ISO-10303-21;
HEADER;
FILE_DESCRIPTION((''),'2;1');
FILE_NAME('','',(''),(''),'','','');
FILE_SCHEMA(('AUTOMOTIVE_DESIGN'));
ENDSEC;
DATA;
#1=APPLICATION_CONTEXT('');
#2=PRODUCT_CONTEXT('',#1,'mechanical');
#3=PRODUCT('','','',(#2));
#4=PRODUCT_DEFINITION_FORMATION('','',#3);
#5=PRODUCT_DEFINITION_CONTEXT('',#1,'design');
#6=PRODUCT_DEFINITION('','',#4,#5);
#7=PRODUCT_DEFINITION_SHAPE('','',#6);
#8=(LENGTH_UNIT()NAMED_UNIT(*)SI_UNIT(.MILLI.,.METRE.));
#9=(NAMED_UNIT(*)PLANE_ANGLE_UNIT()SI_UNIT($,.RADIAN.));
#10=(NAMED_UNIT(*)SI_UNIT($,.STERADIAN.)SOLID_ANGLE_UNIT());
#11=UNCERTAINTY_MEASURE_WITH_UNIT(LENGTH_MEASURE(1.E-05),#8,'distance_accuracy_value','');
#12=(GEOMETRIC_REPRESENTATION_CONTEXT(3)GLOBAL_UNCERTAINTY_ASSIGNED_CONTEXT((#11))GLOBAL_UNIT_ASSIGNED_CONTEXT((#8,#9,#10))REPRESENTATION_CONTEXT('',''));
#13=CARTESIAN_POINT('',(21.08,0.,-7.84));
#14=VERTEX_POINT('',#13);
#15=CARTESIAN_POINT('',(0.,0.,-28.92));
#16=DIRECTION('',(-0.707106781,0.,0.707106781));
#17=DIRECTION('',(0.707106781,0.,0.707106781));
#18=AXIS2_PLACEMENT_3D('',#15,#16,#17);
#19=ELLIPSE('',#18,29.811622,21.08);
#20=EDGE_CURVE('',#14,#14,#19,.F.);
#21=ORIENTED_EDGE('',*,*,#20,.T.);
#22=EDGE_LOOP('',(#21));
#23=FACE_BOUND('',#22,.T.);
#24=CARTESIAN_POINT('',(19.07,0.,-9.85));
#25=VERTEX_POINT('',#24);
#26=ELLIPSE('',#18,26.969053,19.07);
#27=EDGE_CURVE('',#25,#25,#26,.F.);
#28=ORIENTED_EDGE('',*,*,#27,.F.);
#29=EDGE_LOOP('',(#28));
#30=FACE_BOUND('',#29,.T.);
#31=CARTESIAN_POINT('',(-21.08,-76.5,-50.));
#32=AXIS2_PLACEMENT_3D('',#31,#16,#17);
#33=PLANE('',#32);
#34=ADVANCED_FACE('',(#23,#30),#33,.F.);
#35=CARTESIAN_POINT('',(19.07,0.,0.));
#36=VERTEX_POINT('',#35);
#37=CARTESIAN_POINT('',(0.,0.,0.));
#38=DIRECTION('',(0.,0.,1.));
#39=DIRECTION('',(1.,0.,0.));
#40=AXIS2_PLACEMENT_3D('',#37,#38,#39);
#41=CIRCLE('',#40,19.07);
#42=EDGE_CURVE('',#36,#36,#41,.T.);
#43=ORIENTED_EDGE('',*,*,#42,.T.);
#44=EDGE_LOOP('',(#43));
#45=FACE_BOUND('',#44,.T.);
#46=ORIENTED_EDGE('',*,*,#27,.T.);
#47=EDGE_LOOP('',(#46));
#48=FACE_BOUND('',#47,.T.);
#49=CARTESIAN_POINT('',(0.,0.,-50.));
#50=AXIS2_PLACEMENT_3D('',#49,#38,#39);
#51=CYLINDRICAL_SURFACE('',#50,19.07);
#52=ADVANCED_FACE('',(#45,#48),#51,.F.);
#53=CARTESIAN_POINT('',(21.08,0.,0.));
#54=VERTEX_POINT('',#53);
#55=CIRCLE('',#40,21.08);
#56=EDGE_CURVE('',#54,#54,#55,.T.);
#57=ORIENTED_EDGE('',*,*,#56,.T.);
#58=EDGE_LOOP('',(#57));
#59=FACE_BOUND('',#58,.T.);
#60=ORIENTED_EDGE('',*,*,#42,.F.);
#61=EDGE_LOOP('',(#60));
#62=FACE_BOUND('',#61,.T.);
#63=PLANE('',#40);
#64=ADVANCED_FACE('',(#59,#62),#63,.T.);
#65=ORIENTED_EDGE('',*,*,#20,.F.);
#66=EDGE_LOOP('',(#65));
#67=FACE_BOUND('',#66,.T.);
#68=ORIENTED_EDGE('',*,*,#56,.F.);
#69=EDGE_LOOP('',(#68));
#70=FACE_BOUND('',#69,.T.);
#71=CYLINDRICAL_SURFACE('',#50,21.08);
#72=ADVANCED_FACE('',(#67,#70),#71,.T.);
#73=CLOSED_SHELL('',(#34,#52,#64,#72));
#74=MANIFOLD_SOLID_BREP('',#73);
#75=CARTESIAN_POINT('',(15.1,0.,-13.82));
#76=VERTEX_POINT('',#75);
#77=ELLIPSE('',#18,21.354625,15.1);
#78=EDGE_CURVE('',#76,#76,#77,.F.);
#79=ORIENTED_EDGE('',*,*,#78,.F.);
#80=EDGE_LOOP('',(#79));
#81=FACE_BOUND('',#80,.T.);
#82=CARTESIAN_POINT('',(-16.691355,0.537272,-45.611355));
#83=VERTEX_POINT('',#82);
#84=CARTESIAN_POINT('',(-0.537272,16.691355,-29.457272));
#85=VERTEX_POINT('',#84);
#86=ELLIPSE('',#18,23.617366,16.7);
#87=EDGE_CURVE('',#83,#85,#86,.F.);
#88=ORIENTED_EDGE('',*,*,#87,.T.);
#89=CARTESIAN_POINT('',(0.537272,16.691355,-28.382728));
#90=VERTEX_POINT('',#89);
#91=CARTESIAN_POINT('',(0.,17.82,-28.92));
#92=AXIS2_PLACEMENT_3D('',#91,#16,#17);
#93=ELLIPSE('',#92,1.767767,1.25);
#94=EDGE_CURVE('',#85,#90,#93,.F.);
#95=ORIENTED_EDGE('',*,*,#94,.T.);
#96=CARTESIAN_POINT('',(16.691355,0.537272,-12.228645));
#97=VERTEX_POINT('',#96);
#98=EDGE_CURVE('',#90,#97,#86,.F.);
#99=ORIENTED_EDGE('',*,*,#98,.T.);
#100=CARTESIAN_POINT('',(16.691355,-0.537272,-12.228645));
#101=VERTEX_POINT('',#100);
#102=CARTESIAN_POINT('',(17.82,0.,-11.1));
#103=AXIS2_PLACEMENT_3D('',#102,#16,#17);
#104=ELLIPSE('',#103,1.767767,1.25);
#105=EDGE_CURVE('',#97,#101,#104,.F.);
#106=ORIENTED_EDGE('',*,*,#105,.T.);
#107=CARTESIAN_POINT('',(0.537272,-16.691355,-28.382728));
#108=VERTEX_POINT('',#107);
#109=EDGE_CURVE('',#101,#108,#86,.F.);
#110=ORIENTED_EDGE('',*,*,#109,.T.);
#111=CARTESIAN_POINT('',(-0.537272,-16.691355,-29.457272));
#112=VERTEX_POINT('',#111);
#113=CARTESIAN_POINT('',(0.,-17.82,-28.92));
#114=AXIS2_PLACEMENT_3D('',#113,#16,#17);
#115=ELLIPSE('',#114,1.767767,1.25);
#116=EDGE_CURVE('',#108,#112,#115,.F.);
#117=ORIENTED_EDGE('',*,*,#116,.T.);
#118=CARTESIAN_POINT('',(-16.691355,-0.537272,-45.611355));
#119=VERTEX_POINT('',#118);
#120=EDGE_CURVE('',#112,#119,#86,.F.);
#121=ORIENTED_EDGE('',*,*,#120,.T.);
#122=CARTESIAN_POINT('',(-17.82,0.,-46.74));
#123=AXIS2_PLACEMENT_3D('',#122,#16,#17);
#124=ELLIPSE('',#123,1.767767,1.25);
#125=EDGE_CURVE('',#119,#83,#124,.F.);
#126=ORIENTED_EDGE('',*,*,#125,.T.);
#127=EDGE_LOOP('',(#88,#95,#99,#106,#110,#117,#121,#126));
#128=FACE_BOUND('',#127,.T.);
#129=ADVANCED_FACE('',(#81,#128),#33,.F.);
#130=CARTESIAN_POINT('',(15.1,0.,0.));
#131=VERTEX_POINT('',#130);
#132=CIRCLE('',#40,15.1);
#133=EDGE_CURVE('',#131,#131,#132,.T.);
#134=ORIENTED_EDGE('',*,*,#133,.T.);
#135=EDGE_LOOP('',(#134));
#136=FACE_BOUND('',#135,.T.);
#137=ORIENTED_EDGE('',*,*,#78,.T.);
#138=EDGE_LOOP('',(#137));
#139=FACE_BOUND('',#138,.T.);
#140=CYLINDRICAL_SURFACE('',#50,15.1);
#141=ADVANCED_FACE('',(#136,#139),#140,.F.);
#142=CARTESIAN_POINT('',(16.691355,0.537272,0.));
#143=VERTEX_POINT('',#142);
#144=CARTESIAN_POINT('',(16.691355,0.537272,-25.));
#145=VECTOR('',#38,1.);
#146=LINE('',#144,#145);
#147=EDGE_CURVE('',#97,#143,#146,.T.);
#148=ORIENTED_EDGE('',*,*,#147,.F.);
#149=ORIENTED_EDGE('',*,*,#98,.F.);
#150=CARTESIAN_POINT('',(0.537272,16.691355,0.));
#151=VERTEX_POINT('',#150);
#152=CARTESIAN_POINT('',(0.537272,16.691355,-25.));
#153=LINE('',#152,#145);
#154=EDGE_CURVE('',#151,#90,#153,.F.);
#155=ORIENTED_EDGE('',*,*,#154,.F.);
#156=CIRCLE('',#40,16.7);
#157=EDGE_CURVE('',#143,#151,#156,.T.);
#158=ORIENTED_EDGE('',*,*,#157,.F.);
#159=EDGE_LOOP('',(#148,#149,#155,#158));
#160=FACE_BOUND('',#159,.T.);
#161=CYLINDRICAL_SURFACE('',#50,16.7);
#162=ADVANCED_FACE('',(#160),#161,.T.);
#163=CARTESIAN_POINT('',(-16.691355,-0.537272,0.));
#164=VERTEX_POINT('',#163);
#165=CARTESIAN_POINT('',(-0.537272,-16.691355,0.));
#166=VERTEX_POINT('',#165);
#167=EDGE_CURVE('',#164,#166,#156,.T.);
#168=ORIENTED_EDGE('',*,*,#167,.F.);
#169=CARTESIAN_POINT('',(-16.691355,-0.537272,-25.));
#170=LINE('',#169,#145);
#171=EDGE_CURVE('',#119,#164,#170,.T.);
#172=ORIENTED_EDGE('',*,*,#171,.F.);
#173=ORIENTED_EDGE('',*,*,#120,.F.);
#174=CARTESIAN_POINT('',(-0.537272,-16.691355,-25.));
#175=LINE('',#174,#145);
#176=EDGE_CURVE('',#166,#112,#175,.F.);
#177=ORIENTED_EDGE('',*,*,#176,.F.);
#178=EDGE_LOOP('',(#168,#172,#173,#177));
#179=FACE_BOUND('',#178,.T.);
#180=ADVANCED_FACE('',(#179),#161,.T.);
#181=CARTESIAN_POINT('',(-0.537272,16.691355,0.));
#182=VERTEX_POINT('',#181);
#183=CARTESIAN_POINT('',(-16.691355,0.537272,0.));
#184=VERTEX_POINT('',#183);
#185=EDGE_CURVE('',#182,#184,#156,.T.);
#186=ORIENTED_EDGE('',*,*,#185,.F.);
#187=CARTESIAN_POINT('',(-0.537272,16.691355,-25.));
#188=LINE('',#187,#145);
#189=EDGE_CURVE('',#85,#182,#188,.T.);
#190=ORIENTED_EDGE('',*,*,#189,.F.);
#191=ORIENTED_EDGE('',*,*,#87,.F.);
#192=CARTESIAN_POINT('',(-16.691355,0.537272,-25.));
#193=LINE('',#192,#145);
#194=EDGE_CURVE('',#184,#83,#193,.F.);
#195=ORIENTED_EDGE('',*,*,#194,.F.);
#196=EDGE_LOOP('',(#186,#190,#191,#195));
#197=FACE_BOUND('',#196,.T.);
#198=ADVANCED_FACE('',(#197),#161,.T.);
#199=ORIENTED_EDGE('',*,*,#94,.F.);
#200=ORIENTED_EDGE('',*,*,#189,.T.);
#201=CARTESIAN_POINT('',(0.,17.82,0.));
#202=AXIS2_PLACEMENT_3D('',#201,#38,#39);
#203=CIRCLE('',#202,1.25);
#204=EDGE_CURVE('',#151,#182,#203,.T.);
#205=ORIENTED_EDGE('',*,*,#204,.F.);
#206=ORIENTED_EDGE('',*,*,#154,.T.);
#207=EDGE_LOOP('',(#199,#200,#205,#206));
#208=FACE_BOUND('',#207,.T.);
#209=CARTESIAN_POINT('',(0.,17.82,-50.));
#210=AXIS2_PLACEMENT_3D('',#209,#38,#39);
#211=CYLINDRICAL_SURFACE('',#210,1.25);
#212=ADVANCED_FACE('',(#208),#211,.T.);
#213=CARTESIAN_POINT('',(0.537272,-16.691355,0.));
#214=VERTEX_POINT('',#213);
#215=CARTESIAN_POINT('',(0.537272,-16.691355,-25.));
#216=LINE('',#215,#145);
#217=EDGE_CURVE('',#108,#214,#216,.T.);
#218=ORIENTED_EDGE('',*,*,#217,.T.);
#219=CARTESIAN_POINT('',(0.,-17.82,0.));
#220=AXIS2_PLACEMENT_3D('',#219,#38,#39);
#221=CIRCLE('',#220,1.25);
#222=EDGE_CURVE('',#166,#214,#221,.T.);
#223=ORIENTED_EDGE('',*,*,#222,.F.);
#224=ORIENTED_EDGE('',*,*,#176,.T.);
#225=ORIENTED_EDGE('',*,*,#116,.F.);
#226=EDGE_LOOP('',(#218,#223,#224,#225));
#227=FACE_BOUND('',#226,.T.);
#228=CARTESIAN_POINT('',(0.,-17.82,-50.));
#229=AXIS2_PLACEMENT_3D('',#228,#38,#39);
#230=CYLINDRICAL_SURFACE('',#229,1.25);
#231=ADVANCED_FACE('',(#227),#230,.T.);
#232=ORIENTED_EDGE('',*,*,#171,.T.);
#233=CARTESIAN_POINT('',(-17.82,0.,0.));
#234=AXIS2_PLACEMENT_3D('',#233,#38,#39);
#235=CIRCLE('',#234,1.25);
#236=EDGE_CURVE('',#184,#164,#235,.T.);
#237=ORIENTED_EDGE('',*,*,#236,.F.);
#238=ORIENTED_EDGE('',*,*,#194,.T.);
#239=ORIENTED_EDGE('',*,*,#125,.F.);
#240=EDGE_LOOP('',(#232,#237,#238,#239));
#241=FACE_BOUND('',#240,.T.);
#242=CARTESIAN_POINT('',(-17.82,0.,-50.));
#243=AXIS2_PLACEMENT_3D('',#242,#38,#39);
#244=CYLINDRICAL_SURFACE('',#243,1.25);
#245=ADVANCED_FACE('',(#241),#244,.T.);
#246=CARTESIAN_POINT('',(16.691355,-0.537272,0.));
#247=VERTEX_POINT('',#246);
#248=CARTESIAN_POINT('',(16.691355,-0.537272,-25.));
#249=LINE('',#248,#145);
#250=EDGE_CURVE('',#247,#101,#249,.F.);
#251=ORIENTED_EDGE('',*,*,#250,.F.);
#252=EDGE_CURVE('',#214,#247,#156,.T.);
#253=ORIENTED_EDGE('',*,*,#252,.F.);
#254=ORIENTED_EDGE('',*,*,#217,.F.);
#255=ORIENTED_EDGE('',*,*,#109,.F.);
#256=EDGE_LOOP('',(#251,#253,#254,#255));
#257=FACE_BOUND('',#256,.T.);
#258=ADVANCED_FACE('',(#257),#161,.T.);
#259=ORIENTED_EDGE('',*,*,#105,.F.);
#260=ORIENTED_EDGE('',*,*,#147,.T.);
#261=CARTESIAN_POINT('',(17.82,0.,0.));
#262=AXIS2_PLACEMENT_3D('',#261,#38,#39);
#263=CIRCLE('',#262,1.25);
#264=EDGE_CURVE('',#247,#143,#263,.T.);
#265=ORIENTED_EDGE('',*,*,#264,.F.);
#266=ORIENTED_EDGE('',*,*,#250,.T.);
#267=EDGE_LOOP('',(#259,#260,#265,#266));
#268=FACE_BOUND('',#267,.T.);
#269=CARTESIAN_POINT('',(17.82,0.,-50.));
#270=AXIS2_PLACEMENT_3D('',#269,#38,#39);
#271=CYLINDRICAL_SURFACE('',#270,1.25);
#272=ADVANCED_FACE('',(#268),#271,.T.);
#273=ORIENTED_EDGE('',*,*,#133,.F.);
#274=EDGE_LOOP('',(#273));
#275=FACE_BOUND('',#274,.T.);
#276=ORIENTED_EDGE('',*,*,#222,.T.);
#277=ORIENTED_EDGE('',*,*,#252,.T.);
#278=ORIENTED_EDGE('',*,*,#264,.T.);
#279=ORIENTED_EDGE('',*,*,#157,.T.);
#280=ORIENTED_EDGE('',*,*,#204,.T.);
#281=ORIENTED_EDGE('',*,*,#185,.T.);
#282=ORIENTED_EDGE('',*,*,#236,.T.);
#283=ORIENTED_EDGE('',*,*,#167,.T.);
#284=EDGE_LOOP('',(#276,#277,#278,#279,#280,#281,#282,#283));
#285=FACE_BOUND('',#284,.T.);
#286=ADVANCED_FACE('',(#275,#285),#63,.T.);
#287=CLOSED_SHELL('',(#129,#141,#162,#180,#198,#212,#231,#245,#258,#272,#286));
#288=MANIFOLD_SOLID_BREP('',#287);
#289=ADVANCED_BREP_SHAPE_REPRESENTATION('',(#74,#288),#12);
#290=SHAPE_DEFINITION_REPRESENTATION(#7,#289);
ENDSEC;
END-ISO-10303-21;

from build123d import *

# Parameters (mm, degrees)
SKETCH1_R           = 21.08
SKETCH1_R_2         = 19.07
BOSS_EXTRUDE1_DEPTH = 50
SKETCH3_R           = 16.7
SKETCH3_R_2         = 15.1
BOSS_EXTRUDE2_DEPTH = 50
SKETCH4_R           = 1.25
BOSS_EXTRUDE3_DEPTH = 50
CUT_EXTRUDE1_DEPTH  = 76.5


with BuildPart() as part:
    # Sketch1 → Boss-Extrude1 (new body)
    with BuildSketch(Plane.XY):
        Circle(SKETCH1_R)
        Circle(SKETCH1_R_2, mode=Mode.SUBTRACT)
    extrude(amount=-BOSS_EXTRUDE1_DEPTH)


with BuildPart() as body_2:
    # Sketch3 → Boss-Extrude2 (new body)
    with BuildSketch(Plane.XY):
        Circle(SKETCH3_R)
        Circle(SKETCH3_R_2, mode=Mode.SUBTRACT)
    extrude(amount=-BOSS_EXTRUDE2_DEPTH)

    # Sketch4 → Boss-Extrude3 (add)
    with BuildSketch(Plane.XY):
        with Locations((0, -17.82)):
            Circle(SKETCH4_R)
        with Locations((-17.82, 0)):
            Circle(SKETCH4_R)
        with Locations((0, 17.82)):
            Circle(SKETCH4_R)
        with Locations((17.82, 0)):
            Circle(SKETCH4_R)
    extrude(amount=-BOSS_EXTRUDE3_DEPTH)


with BuildPart() as cut_extrude1_tool:
    # Sketch2 → Cut-Extrude1 (new body, symmetric)
    with BuildSketch(Plane(origin=(0, 0, 0), x_dir=(1, 0, 0), z_dir=(0, 1, 0))):
        Polygon((-21.08, 50), (21.08, 7.84), (21.08, 50), align=None)
    extrude(amount=CUT_EXTRUDE1_DEPTH, both=True)


with BuildPart() as part_1:
    add(part.part)

    # Cut-Extrude1: cut by cut_extrude1_tool
    add(cut_extrude1_tool.part, mode=Mode.SUBTRACT)


with BuildPart() as body_2_1:
    add(body_2.part)

    # Cut-Extrude1: cut by cut_extrude1_tool
    add(cut_extrude1_tool.part, mode=Mode.SUBTRACT)


solid = Compound([part_1.part, body_2_1.part])
